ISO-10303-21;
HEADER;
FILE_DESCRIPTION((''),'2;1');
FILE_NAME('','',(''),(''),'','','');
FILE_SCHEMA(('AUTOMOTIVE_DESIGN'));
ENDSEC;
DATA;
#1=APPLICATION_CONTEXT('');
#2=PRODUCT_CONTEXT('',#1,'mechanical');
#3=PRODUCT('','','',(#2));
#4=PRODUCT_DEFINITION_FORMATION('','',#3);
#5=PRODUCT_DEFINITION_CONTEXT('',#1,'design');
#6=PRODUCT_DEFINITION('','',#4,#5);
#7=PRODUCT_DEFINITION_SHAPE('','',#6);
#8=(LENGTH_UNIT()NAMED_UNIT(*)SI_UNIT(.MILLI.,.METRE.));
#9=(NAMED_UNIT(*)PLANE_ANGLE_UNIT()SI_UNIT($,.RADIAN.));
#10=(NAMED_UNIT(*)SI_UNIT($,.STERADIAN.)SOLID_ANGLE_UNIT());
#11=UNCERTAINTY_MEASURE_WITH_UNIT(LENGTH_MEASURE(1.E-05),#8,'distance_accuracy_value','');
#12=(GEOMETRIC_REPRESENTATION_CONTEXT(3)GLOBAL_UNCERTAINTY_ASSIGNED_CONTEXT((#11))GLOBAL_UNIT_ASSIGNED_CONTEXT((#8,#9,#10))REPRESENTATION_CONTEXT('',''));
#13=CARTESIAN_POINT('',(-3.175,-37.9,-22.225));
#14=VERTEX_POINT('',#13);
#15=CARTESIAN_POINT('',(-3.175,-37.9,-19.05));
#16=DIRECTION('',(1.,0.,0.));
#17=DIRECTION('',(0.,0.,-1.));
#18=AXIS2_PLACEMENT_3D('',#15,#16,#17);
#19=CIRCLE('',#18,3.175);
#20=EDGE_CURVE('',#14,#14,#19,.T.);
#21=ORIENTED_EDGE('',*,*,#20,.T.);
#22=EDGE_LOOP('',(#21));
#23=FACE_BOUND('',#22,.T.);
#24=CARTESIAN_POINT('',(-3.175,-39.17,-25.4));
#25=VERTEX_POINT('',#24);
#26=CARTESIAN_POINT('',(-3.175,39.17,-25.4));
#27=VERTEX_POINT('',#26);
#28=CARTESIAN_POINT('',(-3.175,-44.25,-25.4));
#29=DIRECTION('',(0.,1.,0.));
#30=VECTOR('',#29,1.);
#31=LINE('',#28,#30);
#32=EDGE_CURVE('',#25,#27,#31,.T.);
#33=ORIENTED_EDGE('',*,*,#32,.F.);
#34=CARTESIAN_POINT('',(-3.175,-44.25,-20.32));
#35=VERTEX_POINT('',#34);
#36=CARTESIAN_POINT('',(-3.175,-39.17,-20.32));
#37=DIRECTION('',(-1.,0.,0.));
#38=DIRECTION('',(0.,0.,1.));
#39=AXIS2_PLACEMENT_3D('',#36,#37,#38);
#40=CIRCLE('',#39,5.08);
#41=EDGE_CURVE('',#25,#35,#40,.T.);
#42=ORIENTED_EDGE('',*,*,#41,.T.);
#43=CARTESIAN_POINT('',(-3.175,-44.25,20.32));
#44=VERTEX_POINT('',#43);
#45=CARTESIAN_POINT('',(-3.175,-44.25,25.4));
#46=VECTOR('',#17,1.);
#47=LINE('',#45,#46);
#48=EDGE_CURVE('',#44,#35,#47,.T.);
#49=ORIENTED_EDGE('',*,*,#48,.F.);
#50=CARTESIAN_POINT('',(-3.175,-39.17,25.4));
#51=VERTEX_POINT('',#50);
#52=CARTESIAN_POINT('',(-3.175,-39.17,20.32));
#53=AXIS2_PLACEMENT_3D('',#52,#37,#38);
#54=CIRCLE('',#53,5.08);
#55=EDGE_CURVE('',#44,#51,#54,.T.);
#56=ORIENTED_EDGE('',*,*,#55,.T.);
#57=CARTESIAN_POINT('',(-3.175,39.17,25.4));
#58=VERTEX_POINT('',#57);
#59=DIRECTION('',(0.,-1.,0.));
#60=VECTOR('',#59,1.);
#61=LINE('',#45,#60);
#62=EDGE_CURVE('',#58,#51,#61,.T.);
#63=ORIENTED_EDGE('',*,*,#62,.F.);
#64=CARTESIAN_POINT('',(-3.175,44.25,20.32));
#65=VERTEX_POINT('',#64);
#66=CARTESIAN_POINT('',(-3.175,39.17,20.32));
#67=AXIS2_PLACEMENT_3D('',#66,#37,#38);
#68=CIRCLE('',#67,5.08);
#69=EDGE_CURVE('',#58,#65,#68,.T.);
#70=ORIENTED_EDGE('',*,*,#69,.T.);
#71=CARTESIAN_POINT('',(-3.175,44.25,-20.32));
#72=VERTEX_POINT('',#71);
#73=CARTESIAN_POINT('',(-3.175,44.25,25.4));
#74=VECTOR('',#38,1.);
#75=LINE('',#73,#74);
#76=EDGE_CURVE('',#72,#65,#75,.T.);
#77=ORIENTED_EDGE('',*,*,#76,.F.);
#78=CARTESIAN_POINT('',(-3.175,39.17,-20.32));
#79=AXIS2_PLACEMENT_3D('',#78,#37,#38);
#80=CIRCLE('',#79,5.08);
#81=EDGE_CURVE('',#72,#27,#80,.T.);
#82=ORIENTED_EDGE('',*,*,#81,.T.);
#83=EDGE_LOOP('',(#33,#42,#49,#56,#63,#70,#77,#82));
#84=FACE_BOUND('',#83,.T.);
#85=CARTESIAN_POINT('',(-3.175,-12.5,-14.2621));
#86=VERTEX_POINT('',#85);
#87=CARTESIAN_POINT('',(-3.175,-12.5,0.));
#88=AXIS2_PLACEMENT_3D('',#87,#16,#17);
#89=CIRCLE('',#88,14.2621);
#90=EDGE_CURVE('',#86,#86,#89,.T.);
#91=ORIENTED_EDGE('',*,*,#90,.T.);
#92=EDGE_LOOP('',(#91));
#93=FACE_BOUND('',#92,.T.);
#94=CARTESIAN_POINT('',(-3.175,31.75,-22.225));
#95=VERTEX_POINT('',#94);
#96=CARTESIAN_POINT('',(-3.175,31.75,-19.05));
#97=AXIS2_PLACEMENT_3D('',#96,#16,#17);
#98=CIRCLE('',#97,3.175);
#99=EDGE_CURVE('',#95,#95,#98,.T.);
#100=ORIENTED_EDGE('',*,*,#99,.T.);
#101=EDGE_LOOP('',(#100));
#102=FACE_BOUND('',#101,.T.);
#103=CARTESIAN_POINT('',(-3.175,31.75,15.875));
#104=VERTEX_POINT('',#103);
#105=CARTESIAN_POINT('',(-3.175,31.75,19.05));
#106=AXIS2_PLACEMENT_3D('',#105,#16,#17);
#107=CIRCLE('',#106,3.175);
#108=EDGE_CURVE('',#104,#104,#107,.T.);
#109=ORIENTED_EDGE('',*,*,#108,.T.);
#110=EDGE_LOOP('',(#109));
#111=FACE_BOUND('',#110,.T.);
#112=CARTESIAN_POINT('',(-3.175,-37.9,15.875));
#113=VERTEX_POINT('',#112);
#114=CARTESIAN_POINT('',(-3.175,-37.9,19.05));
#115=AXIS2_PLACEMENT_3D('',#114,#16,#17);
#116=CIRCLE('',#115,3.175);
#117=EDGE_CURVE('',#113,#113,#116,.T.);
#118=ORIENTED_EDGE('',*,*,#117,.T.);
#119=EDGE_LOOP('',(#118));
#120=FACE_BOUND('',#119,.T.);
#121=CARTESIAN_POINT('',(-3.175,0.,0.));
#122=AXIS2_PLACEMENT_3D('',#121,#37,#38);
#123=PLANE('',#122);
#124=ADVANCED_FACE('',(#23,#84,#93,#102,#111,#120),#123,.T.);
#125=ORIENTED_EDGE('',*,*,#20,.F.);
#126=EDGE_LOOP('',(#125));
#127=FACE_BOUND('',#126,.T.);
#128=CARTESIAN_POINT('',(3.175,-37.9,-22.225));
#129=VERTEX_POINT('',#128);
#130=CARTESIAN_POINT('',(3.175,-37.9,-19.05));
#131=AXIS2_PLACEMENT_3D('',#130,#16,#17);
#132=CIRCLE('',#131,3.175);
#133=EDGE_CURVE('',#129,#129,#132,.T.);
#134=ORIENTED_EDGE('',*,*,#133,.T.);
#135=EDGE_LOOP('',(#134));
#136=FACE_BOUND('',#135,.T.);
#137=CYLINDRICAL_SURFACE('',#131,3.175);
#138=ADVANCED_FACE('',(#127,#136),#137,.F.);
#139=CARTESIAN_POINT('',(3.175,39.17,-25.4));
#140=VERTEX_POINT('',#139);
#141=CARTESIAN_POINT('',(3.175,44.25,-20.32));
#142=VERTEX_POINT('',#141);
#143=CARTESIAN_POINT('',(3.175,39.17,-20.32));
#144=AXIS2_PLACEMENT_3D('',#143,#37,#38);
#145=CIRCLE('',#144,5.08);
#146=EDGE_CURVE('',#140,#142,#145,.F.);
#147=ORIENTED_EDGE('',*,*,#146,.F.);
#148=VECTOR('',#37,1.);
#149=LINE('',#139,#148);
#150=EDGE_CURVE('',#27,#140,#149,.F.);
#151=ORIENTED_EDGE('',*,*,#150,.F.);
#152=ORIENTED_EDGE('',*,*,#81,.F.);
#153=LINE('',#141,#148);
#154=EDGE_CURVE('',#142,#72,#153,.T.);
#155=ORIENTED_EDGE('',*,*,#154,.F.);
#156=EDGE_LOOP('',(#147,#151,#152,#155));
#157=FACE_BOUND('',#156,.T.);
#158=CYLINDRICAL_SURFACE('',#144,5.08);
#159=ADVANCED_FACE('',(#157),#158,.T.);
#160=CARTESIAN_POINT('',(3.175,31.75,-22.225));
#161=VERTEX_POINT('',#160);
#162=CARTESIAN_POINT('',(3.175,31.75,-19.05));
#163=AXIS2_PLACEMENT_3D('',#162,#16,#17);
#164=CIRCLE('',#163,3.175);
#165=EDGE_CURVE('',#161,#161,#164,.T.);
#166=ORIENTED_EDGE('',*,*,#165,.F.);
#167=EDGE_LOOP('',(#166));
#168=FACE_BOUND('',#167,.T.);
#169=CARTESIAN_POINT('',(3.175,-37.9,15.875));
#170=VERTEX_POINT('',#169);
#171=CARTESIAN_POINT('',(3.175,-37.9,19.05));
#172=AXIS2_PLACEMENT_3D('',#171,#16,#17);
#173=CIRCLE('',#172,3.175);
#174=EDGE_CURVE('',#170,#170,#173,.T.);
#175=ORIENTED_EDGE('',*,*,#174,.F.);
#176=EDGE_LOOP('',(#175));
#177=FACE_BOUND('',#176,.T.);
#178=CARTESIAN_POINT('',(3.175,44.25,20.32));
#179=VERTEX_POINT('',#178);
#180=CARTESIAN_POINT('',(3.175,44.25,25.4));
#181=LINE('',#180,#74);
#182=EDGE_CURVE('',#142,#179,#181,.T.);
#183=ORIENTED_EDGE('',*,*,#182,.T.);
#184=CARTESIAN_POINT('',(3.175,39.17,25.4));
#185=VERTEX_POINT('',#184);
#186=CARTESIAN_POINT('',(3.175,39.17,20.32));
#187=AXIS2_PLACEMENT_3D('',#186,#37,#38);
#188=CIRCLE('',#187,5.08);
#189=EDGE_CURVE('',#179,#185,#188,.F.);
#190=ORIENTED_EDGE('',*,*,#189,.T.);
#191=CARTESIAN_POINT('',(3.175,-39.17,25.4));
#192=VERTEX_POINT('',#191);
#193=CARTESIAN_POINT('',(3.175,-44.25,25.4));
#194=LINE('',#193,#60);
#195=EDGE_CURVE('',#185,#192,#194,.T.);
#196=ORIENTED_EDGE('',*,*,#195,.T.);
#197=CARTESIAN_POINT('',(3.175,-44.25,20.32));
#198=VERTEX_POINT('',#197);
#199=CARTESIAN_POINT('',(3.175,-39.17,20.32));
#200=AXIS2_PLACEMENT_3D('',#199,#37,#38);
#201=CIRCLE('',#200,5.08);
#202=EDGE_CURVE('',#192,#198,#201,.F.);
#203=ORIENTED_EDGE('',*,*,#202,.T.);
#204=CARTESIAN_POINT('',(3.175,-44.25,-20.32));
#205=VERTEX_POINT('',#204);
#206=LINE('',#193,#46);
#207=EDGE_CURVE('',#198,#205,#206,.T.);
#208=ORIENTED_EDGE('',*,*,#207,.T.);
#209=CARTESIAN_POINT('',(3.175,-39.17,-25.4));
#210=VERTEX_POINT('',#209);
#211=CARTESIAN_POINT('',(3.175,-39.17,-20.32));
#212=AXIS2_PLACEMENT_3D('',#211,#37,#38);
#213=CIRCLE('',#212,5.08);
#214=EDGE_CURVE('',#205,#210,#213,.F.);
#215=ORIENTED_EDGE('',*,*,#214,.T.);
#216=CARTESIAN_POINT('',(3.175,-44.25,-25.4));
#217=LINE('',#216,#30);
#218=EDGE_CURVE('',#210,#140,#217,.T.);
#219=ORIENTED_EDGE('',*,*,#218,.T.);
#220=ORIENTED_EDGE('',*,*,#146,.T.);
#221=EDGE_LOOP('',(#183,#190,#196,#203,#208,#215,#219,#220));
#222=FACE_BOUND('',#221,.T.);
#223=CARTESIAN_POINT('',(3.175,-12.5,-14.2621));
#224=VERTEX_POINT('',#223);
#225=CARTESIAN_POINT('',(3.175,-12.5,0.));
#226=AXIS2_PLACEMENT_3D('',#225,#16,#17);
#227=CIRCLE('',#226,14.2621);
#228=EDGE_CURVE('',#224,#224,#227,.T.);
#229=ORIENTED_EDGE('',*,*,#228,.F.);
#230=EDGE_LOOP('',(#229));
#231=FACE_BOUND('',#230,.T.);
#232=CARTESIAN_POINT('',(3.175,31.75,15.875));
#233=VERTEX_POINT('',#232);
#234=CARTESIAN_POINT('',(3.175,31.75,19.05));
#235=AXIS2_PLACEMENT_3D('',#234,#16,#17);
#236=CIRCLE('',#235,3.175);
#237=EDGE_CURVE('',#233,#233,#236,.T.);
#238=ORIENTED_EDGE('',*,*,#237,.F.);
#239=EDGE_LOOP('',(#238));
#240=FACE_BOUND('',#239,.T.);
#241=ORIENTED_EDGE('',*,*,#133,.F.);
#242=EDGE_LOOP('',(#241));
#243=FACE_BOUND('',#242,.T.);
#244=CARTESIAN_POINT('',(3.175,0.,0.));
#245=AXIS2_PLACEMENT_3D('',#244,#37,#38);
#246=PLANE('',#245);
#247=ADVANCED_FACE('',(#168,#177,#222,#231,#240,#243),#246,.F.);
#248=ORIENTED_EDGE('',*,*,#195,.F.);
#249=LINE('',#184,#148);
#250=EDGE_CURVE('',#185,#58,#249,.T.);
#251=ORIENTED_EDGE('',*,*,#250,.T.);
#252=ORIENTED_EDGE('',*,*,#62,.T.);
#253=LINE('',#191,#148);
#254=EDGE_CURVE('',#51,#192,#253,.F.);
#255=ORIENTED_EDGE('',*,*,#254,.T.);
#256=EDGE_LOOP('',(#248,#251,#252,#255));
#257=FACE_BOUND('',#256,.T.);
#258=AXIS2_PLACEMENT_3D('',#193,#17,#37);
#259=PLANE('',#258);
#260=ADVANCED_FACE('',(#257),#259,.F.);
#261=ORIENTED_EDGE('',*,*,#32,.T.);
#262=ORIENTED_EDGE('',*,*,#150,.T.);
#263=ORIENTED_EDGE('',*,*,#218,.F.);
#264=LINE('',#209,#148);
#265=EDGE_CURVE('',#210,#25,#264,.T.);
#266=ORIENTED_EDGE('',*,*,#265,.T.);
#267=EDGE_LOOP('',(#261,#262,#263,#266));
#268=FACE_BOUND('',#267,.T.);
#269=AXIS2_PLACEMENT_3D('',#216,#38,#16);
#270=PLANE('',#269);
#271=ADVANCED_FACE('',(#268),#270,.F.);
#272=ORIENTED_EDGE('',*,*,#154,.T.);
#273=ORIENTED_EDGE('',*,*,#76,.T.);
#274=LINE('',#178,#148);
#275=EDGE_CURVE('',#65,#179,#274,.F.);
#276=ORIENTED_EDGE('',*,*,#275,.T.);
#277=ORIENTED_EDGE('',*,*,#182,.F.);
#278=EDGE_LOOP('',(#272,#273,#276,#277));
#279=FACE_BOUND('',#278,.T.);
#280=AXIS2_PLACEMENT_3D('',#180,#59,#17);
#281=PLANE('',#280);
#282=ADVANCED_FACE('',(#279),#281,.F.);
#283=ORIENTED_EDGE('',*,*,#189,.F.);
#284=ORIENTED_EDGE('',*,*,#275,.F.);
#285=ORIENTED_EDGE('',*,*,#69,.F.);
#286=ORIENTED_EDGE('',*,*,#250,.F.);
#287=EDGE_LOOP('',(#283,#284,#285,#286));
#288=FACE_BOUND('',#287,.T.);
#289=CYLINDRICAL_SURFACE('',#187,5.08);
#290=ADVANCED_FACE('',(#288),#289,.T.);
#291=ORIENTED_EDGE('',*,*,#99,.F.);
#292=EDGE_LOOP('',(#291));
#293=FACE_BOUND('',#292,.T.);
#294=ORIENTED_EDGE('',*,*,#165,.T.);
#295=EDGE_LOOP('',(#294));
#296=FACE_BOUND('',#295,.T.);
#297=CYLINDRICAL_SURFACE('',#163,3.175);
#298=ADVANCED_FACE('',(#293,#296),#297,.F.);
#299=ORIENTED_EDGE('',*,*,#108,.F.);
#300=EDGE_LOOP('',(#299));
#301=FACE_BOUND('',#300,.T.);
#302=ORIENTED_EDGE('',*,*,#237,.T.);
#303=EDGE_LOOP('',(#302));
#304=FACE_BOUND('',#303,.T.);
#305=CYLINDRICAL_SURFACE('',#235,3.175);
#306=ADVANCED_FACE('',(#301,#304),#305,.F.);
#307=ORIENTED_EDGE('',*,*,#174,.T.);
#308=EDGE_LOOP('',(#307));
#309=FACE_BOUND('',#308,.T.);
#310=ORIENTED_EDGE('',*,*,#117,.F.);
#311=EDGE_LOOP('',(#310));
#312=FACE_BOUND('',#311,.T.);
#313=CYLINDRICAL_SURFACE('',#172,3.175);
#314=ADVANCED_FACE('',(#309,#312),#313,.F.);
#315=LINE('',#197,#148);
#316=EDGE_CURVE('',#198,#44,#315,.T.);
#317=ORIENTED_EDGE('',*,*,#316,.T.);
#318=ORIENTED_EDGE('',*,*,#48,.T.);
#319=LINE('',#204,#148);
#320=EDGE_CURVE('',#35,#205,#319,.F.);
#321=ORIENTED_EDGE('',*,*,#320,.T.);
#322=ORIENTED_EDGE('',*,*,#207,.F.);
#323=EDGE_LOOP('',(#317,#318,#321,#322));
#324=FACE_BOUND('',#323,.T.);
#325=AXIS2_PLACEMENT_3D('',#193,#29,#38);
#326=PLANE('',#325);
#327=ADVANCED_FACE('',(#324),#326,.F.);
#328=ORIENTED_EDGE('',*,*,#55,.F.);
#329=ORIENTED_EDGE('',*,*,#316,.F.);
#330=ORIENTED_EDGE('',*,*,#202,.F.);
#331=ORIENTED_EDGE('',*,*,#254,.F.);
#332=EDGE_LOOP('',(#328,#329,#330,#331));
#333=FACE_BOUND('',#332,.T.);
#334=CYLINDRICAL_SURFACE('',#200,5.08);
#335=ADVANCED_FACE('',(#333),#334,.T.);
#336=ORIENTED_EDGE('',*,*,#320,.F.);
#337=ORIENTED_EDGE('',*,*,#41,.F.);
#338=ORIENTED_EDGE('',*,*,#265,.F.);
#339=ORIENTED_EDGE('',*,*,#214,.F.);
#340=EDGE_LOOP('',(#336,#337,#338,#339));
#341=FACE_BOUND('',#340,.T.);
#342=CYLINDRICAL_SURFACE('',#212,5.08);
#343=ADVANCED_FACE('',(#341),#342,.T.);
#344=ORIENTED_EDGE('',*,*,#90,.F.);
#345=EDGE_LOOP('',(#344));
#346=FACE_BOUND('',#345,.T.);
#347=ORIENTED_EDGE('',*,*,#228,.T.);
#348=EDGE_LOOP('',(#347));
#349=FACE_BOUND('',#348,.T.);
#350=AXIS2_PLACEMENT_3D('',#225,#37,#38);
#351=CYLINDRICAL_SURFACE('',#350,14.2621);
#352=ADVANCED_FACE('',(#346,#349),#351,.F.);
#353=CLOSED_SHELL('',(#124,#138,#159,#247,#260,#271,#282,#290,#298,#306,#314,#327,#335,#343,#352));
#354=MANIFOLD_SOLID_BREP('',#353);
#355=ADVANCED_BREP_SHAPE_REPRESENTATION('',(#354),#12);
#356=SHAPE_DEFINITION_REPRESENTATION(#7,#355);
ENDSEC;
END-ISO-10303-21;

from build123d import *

# Parameters (mm, degrees)
SKETCH1_W                   = 50.8
SKETCH1_H                   = 88.500000038
SKETCH1_R                   = 14.2621
BOSS_EXTRUDE1_DEPTH         = 3.175
FILLET1_R                   = 5.08
F_1_4_0_25_DIAMETER_HOLE2_D = 6.35


with BuildPart() as part:
    # Sketch1 → Boss-Extrude1 (new, symmetric)
    with BuildSketch(Plane(origin=(0, 0, 0), x_dir=(0, 0, -1), z_dir=(1, 0, 0))):
        Rectangle(SKETCH1_W, SKETCH1_H)
        with Locations((0, -12.500000019)):
            Circle(SKETCH1_R, mode=Mode.SUBTRACT)
    extrude(amount=BOSS_EXTRUDE1_DEPTH, both=True)

    # Fillet1
    fillet1_edges = [part.edges().sort_by_distance(p)[0] for p in [
        (0, -44.250000019, -25.4),
        (0, -44.250000019, 25.4),
        (0, 44.250000019, 25.4),
        (0, 44.250000019, -25.4),
    ]]
    fillet(fillet1_edges, radius=FILLET1_R)

    # 1/4 (0.25) Diameter Hole2 (through all)
    with Locations(Plane(origin=(3.175, -37.900000019, 19.05), x_dir=(0, 0, 1), z_dir=(1, 0, 0))):
        with Locations((0, 0), (-38.1, 0), (0, -69.650000038), (-38.1, -69.650000038)):
            Hole(F_1_4_0_25_DIAMETER_HOLE2_D / 2)


solid = part.part
